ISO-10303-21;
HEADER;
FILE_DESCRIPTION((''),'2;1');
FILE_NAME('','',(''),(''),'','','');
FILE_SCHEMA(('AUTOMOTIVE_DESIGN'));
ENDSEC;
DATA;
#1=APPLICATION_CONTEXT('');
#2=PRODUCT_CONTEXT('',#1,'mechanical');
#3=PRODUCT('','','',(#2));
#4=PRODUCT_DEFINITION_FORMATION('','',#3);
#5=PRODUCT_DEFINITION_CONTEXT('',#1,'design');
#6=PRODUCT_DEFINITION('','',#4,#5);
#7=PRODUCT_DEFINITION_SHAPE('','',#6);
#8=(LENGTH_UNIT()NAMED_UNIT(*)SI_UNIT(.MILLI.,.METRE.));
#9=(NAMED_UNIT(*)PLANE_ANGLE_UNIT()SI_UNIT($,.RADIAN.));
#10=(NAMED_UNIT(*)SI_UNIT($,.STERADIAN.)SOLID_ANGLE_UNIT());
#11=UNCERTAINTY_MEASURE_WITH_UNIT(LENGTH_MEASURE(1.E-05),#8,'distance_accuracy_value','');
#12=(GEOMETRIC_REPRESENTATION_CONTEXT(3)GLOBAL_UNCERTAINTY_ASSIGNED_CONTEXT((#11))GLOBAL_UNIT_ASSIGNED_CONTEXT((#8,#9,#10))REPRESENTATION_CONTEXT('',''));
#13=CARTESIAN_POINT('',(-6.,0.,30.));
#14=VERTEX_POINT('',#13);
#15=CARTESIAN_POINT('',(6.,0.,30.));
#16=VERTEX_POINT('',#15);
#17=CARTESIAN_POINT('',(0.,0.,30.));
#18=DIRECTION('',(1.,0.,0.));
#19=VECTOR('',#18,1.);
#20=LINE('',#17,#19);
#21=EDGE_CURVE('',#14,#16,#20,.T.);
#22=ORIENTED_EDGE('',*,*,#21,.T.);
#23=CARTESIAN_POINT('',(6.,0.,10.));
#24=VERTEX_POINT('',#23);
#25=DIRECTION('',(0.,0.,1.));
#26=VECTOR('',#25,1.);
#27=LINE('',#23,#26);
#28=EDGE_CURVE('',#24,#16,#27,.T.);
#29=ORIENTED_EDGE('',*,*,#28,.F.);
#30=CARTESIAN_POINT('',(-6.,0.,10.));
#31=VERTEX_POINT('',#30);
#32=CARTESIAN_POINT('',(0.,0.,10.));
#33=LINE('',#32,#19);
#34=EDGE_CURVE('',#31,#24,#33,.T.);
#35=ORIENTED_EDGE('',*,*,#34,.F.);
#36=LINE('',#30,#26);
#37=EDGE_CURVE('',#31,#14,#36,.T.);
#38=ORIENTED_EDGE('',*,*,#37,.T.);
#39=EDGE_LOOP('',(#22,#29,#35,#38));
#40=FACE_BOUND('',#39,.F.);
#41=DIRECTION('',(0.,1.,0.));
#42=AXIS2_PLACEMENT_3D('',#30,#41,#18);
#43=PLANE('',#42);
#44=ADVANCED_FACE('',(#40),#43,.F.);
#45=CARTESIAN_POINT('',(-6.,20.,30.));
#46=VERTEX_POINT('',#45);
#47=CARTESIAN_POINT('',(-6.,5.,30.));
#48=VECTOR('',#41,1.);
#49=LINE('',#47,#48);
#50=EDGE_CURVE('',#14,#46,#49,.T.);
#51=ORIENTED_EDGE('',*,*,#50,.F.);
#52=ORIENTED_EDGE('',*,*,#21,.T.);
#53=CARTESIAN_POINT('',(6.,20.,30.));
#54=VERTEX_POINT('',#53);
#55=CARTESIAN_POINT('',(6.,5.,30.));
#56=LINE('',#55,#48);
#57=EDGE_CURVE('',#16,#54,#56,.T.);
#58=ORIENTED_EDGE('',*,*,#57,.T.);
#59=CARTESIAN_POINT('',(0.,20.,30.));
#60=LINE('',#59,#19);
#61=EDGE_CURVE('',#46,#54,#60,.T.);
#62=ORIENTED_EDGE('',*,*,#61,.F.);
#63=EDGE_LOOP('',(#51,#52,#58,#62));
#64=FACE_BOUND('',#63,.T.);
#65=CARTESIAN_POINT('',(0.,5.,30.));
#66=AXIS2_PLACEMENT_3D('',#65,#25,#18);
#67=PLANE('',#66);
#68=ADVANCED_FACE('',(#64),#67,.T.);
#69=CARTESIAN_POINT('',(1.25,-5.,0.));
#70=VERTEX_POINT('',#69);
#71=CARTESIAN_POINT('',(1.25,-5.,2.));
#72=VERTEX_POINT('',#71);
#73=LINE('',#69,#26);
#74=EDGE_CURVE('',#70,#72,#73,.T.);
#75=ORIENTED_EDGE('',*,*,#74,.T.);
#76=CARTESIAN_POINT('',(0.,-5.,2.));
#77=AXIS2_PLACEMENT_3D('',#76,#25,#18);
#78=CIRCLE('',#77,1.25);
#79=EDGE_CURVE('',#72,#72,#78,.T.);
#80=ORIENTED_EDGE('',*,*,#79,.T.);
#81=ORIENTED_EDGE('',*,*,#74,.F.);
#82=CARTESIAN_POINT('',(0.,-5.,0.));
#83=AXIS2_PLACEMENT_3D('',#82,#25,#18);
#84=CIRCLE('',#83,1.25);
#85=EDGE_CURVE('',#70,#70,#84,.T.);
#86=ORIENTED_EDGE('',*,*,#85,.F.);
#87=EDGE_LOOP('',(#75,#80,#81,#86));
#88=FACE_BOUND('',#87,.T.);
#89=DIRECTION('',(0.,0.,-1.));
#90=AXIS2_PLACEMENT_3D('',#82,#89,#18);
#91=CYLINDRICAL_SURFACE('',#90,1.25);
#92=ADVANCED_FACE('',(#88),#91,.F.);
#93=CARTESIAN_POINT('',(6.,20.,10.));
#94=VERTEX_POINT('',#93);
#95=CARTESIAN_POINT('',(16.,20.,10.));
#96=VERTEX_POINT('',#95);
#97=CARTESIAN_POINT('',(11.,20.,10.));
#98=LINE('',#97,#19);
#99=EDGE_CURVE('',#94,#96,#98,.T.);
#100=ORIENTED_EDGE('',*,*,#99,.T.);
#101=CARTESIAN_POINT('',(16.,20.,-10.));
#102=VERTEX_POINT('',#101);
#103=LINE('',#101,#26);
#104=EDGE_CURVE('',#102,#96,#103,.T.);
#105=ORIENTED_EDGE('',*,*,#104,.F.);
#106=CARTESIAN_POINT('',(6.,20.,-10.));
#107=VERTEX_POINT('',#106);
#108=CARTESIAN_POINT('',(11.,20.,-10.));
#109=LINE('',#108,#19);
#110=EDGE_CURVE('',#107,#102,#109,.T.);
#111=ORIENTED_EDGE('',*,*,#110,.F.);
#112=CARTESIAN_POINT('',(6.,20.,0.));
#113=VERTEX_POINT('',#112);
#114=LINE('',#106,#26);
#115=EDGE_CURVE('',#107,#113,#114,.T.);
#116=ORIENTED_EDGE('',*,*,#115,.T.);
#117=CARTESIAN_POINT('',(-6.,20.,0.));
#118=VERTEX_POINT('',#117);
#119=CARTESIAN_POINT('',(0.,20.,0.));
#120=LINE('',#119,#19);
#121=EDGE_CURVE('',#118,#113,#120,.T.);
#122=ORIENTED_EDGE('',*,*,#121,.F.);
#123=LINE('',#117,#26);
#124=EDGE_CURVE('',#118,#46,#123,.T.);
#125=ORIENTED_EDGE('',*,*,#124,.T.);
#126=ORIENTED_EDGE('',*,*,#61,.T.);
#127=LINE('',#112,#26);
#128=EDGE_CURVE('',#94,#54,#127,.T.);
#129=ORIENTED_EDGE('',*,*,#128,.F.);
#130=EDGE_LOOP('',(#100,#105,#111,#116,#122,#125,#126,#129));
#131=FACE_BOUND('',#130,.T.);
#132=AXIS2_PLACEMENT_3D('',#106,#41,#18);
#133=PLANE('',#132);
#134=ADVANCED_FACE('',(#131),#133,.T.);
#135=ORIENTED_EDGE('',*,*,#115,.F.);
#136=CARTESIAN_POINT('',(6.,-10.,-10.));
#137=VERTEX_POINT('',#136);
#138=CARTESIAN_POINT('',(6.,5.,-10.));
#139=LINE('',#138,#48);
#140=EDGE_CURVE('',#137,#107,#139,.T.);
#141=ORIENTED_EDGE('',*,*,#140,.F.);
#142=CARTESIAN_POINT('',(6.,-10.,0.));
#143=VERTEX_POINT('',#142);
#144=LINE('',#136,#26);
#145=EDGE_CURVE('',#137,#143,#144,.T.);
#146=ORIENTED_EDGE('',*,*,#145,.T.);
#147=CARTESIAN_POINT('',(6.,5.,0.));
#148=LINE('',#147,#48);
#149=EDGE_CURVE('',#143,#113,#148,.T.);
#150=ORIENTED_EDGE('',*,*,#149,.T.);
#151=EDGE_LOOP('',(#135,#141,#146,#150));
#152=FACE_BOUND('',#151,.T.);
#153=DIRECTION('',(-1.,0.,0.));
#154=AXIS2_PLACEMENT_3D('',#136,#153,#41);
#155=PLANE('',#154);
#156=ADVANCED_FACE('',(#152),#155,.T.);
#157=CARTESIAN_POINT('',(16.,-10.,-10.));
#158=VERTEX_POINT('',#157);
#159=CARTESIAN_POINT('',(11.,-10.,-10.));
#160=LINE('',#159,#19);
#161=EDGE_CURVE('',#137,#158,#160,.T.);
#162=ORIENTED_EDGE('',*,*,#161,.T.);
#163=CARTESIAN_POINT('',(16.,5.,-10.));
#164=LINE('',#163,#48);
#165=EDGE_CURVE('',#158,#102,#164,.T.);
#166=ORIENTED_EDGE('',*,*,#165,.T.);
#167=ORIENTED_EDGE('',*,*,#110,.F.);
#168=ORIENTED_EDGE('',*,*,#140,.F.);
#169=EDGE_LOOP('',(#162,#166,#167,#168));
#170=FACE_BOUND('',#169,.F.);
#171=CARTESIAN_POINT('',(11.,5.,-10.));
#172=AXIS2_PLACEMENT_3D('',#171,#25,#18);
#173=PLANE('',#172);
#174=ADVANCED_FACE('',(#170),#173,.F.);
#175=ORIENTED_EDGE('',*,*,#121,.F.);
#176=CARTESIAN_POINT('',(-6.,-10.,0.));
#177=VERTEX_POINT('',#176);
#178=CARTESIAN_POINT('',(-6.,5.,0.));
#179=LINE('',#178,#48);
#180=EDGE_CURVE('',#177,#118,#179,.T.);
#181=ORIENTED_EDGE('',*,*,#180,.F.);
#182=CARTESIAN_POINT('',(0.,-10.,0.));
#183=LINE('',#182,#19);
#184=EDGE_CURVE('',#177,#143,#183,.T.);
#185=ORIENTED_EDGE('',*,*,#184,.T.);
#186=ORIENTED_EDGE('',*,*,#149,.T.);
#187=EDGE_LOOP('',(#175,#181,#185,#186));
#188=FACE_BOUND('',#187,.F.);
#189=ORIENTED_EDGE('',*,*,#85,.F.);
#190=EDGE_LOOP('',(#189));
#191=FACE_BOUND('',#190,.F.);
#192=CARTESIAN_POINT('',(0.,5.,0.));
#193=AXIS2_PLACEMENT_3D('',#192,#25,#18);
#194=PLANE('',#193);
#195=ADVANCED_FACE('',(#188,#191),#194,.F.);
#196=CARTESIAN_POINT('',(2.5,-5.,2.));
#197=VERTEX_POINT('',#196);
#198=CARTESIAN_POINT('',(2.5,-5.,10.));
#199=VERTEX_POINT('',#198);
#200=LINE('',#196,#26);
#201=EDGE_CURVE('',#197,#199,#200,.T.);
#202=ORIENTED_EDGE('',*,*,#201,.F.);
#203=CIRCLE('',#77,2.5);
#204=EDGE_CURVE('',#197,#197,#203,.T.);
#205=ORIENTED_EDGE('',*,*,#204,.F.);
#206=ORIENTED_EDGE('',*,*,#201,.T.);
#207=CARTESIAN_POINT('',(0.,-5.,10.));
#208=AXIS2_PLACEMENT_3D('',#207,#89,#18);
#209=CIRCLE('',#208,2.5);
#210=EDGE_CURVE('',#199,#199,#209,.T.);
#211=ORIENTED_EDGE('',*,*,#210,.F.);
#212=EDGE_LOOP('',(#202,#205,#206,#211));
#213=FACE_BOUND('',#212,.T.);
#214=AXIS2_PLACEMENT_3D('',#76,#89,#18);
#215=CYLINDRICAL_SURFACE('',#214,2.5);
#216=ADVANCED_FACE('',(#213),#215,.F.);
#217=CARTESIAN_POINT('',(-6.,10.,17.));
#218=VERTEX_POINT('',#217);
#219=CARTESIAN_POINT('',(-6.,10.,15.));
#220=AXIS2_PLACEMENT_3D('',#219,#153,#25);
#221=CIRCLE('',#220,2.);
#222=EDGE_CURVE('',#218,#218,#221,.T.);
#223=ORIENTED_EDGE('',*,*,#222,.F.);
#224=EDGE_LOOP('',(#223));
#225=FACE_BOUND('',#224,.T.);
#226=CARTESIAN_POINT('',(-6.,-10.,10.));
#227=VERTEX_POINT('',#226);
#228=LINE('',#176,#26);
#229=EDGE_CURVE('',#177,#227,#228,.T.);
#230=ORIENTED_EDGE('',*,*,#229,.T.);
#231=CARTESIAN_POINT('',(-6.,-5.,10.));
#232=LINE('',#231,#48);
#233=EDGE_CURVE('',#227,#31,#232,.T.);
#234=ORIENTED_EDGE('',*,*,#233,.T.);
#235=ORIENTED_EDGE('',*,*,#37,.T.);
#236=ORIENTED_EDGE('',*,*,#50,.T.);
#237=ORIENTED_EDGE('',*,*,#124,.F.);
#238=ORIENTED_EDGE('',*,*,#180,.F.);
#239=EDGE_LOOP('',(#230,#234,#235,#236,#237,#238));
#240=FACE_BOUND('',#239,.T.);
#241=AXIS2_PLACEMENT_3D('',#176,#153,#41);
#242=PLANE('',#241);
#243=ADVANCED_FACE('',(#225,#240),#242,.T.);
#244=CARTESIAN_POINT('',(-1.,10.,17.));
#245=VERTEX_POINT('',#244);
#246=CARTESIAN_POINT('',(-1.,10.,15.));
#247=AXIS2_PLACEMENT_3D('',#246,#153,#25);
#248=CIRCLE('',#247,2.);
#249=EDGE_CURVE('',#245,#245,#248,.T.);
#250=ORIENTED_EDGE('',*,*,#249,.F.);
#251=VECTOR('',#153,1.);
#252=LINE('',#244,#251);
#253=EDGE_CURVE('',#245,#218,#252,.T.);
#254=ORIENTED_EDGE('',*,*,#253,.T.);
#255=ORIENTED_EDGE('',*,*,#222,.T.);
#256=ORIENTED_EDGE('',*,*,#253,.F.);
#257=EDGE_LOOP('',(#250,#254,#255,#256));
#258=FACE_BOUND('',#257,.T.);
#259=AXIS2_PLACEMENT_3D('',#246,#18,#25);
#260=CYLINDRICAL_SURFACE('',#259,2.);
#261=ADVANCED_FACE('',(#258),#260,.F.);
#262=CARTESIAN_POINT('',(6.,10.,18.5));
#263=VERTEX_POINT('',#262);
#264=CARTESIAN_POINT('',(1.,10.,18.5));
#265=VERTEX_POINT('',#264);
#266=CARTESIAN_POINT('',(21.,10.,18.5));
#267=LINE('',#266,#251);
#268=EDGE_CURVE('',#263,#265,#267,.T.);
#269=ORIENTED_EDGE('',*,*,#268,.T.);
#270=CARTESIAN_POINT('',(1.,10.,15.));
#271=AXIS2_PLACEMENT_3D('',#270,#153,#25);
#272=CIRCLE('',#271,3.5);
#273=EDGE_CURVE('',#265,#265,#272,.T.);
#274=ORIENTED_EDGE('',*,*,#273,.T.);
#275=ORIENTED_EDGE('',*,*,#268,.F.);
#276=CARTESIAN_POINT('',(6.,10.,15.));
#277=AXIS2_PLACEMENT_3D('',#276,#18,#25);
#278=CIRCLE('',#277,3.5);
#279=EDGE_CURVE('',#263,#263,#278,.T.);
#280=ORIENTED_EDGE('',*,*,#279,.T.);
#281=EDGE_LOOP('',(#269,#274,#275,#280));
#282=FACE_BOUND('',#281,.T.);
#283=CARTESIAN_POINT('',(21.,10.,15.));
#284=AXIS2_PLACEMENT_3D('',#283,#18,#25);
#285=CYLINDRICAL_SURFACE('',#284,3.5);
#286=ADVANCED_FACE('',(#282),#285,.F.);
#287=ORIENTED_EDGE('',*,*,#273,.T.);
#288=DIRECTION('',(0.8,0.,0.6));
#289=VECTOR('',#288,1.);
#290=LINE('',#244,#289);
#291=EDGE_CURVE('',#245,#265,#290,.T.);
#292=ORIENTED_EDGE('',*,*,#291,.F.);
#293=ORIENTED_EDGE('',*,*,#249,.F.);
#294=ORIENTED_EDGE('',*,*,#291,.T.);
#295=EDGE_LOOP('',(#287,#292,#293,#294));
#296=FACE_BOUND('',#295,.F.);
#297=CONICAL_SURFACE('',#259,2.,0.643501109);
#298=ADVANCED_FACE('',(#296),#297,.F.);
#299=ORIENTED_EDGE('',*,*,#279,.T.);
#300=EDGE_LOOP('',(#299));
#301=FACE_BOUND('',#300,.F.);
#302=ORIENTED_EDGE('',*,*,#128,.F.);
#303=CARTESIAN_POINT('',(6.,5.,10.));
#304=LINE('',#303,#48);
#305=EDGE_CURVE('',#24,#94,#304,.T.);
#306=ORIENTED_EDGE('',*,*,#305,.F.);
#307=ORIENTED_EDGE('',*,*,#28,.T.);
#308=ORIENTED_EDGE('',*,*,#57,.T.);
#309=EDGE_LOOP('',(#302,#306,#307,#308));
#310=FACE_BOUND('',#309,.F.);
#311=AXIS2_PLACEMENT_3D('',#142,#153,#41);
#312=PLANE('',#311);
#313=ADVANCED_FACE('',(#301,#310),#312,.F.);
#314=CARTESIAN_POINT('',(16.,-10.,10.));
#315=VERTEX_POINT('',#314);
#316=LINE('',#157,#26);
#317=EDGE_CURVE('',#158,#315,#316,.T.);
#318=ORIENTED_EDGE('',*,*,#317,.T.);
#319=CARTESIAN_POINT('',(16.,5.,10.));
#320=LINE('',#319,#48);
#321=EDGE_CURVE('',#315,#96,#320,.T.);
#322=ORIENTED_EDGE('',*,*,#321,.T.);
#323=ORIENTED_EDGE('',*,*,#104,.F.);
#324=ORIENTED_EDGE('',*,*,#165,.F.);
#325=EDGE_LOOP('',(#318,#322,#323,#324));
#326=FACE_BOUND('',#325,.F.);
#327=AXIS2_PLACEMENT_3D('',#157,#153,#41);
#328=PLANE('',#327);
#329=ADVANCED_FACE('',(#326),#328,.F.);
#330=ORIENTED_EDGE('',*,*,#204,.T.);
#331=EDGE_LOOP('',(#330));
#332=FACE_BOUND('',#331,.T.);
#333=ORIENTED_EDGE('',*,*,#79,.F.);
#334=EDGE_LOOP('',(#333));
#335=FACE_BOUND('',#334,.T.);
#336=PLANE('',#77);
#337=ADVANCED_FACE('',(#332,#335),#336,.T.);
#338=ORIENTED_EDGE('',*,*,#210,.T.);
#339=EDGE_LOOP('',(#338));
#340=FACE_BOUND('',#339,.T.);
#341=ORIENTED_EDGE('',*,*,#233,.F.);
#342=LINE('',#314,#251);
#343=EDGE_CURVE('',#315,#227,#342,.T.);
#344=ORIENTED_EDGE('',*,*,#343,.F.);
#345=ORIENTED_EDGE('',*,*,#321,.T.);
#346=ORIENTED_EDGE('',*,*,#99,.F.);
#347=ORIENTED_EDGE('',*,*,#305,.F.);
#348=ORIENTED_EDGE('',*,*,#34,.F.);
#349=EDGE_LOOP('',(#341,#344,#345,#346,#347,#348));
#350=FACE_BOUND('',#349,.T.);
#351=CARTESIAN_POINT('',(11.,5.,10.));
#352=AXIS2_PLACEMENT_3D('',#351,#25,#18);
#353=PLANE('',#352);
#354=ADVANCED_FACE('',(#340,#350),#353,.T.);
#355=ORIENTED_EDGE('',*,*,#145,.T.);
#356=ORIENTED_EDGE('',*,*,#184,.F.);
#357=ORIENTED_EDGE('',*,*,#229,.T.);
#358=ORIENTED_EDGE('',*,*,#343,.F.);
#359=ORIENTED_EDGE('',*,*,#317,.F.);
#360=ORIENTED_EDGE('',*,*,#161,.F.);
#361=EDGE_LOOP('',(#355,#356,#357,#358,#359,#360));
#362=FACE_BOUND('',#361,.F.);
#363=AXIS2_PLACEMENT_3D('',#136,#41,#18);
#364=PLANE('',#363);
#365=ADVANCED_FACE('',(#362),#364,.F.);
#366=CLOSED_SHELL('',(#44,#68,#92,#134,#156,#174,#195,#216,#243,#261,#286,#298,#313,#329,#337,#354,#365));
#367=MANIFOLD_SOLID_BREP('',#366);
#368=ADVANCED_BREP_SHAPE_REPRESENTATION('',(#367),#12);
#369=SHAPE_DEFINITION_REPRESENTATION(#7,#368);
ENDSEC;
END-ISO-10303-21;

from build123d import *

# Parameters (mm, degrees)
CYLINDER001_R      = 2.5
CYLINDER001_DEPTH  = 10
CYLINDER_R         = 1.25
CYLINDER_DEPTH     = 2
CYLINDER003_R      = 3.5
CYLINDER003_DEPTH  = 20
CYLINDER002_R      = 2
CYLINDER002_DEPTH  = 5
FUSION_PITCH_ANGLE = -90
BOX002_W           = 12
BOX002_H           = 10
BOX002_DEPTH       = 20
BOX001_W           = 10
BOX001_H           = 30
BOX001_DEPTH       = 20
BOX_W              = 12
BOX_H              = 30
BOX_DEPTH          = 30


with BuildPart() as cylinder001:
    # Cylinder001 → Cylinder001 (new body)
    with BuildSketch(Plane(origin=(0, -3, 2), x_dir=(1, 0, 0), z_dir=(0, 0, 1))):
        Circle(CYLINDER001_R)
    extrude(amount=CYLINDER001_DEPTH)


with BuildPart() as fusion002:
    # Cylinder → Cylinder (new body)
    with BuildSketch(Plane(origin=(0, -3, 0), x_dir=(1, 0, 0), z_dir=(0, 0, 1))):
        Circle(CYLINDER_R)
    extrude(amount=CYLINDER_DEPTH)

    # Fusion002: union Cylinder001
    add(cylinder001.part)


with BuildPart() as fusion002_1:
    # Fusion002 placement: moved
    add(fusion002.part.moved(Location((0, -2, 0))))


with BuildPart() as cylinder003:
    # Cylinder003 → Cylinder003 (new body)
    with BuildSketch(Plane(origin=(15, -5, -17), x_dir=(1, 0, 0), z_dir=(0, 0, 1))):
        Circle(CYLINDER003_R)
    extrude(amount=CYLINDER003_DEPTH)


with BuildPart() as cone:
    # Cone → Cone (revolve)
    with BuildSketch(Plane(origin=(15, -5, 5), x_dir=(1, 0, 0), z_dir=(0, 1, 0))):
        Polygon((0, 0), (2, 0), (3.5, 2), (0, 2), align=None)
    revolve(axis=Axis((15, -5, 5), (0, 0, -1)))


with BuildPart() as fusion003:
    # Cylinder002 → Cylinder002 (new body)
    with BuildSketch(Plane(origin=(15, -5, 5), x_dir=(1, 0, 0), z_dir=(0, 0, 1))):
        Circle(CYLINDER002_R)
    extrude(amount=CYLINDER002_DEPTH)

    # Fusion: union Cylinder003, Cone
    add(cylinder003.part)
    add(cone.part)


with BuildPart() as fusion003_1:
    # Fusion pitch: moved
    add(fusion003.part.rotate(Axis((0, 0, 0), (0, 1, 0)), FUSION_PITCH_ANGLE))


with BuildPart() as fusion003_2:
    # Fusion placement: moved
    add(fusion003_1.part.moved(Location((4, 15, 0))))

    # Fusion003: union Fusion002
    add(fusion002_1.part)


with BuildPart() as cube002:
    # Box002 → Box002 (new body)
    with BuildSketch(Plane(origin=(-6, -10, 10), x_dir=(1, 0, 0), z_dir=(0, 0, 1))):
        with Locations((6, 5)):
            Rectangle(BOX002_W, BOX002_H)
    extrude(amount=BOX002_DEPTH)


with BuildPart() as cube001:
    # Box001 → Box001 (new body)
    with BuildSketch(Plane(origin=(6, -10, -10), x_dir=(1, 0, 0), z_dir=(0, 0, 1))):
        with Locations((5, 15)):
            Rectangle(BOX001_W, BOX001_H)
    extrude(amount=BOX001_DEPTH)


with BuildPart() as cut001:
    # Box → Box (new body)
    with BuildSketch(Plane(origin=(-6, -10, 0), x_dir=(1, 0, 0), z_dir=(0, 0, 1))):
        with Locations((6, 15)):
            Rectangle(BOX_W, BOX_H)
    extrude(amount=BOX_DEPTH)

    # Fusion001: union Cube001
    add(cube001.part)

    # Cut: cut Cube002
    add(cube002.part, mode=Mode.SUBTRACT)

    # Cut001: cut Fusion003
    add(fusion003_2.part, mode=Mode.SUBTRACT)


solid = cut001.part
